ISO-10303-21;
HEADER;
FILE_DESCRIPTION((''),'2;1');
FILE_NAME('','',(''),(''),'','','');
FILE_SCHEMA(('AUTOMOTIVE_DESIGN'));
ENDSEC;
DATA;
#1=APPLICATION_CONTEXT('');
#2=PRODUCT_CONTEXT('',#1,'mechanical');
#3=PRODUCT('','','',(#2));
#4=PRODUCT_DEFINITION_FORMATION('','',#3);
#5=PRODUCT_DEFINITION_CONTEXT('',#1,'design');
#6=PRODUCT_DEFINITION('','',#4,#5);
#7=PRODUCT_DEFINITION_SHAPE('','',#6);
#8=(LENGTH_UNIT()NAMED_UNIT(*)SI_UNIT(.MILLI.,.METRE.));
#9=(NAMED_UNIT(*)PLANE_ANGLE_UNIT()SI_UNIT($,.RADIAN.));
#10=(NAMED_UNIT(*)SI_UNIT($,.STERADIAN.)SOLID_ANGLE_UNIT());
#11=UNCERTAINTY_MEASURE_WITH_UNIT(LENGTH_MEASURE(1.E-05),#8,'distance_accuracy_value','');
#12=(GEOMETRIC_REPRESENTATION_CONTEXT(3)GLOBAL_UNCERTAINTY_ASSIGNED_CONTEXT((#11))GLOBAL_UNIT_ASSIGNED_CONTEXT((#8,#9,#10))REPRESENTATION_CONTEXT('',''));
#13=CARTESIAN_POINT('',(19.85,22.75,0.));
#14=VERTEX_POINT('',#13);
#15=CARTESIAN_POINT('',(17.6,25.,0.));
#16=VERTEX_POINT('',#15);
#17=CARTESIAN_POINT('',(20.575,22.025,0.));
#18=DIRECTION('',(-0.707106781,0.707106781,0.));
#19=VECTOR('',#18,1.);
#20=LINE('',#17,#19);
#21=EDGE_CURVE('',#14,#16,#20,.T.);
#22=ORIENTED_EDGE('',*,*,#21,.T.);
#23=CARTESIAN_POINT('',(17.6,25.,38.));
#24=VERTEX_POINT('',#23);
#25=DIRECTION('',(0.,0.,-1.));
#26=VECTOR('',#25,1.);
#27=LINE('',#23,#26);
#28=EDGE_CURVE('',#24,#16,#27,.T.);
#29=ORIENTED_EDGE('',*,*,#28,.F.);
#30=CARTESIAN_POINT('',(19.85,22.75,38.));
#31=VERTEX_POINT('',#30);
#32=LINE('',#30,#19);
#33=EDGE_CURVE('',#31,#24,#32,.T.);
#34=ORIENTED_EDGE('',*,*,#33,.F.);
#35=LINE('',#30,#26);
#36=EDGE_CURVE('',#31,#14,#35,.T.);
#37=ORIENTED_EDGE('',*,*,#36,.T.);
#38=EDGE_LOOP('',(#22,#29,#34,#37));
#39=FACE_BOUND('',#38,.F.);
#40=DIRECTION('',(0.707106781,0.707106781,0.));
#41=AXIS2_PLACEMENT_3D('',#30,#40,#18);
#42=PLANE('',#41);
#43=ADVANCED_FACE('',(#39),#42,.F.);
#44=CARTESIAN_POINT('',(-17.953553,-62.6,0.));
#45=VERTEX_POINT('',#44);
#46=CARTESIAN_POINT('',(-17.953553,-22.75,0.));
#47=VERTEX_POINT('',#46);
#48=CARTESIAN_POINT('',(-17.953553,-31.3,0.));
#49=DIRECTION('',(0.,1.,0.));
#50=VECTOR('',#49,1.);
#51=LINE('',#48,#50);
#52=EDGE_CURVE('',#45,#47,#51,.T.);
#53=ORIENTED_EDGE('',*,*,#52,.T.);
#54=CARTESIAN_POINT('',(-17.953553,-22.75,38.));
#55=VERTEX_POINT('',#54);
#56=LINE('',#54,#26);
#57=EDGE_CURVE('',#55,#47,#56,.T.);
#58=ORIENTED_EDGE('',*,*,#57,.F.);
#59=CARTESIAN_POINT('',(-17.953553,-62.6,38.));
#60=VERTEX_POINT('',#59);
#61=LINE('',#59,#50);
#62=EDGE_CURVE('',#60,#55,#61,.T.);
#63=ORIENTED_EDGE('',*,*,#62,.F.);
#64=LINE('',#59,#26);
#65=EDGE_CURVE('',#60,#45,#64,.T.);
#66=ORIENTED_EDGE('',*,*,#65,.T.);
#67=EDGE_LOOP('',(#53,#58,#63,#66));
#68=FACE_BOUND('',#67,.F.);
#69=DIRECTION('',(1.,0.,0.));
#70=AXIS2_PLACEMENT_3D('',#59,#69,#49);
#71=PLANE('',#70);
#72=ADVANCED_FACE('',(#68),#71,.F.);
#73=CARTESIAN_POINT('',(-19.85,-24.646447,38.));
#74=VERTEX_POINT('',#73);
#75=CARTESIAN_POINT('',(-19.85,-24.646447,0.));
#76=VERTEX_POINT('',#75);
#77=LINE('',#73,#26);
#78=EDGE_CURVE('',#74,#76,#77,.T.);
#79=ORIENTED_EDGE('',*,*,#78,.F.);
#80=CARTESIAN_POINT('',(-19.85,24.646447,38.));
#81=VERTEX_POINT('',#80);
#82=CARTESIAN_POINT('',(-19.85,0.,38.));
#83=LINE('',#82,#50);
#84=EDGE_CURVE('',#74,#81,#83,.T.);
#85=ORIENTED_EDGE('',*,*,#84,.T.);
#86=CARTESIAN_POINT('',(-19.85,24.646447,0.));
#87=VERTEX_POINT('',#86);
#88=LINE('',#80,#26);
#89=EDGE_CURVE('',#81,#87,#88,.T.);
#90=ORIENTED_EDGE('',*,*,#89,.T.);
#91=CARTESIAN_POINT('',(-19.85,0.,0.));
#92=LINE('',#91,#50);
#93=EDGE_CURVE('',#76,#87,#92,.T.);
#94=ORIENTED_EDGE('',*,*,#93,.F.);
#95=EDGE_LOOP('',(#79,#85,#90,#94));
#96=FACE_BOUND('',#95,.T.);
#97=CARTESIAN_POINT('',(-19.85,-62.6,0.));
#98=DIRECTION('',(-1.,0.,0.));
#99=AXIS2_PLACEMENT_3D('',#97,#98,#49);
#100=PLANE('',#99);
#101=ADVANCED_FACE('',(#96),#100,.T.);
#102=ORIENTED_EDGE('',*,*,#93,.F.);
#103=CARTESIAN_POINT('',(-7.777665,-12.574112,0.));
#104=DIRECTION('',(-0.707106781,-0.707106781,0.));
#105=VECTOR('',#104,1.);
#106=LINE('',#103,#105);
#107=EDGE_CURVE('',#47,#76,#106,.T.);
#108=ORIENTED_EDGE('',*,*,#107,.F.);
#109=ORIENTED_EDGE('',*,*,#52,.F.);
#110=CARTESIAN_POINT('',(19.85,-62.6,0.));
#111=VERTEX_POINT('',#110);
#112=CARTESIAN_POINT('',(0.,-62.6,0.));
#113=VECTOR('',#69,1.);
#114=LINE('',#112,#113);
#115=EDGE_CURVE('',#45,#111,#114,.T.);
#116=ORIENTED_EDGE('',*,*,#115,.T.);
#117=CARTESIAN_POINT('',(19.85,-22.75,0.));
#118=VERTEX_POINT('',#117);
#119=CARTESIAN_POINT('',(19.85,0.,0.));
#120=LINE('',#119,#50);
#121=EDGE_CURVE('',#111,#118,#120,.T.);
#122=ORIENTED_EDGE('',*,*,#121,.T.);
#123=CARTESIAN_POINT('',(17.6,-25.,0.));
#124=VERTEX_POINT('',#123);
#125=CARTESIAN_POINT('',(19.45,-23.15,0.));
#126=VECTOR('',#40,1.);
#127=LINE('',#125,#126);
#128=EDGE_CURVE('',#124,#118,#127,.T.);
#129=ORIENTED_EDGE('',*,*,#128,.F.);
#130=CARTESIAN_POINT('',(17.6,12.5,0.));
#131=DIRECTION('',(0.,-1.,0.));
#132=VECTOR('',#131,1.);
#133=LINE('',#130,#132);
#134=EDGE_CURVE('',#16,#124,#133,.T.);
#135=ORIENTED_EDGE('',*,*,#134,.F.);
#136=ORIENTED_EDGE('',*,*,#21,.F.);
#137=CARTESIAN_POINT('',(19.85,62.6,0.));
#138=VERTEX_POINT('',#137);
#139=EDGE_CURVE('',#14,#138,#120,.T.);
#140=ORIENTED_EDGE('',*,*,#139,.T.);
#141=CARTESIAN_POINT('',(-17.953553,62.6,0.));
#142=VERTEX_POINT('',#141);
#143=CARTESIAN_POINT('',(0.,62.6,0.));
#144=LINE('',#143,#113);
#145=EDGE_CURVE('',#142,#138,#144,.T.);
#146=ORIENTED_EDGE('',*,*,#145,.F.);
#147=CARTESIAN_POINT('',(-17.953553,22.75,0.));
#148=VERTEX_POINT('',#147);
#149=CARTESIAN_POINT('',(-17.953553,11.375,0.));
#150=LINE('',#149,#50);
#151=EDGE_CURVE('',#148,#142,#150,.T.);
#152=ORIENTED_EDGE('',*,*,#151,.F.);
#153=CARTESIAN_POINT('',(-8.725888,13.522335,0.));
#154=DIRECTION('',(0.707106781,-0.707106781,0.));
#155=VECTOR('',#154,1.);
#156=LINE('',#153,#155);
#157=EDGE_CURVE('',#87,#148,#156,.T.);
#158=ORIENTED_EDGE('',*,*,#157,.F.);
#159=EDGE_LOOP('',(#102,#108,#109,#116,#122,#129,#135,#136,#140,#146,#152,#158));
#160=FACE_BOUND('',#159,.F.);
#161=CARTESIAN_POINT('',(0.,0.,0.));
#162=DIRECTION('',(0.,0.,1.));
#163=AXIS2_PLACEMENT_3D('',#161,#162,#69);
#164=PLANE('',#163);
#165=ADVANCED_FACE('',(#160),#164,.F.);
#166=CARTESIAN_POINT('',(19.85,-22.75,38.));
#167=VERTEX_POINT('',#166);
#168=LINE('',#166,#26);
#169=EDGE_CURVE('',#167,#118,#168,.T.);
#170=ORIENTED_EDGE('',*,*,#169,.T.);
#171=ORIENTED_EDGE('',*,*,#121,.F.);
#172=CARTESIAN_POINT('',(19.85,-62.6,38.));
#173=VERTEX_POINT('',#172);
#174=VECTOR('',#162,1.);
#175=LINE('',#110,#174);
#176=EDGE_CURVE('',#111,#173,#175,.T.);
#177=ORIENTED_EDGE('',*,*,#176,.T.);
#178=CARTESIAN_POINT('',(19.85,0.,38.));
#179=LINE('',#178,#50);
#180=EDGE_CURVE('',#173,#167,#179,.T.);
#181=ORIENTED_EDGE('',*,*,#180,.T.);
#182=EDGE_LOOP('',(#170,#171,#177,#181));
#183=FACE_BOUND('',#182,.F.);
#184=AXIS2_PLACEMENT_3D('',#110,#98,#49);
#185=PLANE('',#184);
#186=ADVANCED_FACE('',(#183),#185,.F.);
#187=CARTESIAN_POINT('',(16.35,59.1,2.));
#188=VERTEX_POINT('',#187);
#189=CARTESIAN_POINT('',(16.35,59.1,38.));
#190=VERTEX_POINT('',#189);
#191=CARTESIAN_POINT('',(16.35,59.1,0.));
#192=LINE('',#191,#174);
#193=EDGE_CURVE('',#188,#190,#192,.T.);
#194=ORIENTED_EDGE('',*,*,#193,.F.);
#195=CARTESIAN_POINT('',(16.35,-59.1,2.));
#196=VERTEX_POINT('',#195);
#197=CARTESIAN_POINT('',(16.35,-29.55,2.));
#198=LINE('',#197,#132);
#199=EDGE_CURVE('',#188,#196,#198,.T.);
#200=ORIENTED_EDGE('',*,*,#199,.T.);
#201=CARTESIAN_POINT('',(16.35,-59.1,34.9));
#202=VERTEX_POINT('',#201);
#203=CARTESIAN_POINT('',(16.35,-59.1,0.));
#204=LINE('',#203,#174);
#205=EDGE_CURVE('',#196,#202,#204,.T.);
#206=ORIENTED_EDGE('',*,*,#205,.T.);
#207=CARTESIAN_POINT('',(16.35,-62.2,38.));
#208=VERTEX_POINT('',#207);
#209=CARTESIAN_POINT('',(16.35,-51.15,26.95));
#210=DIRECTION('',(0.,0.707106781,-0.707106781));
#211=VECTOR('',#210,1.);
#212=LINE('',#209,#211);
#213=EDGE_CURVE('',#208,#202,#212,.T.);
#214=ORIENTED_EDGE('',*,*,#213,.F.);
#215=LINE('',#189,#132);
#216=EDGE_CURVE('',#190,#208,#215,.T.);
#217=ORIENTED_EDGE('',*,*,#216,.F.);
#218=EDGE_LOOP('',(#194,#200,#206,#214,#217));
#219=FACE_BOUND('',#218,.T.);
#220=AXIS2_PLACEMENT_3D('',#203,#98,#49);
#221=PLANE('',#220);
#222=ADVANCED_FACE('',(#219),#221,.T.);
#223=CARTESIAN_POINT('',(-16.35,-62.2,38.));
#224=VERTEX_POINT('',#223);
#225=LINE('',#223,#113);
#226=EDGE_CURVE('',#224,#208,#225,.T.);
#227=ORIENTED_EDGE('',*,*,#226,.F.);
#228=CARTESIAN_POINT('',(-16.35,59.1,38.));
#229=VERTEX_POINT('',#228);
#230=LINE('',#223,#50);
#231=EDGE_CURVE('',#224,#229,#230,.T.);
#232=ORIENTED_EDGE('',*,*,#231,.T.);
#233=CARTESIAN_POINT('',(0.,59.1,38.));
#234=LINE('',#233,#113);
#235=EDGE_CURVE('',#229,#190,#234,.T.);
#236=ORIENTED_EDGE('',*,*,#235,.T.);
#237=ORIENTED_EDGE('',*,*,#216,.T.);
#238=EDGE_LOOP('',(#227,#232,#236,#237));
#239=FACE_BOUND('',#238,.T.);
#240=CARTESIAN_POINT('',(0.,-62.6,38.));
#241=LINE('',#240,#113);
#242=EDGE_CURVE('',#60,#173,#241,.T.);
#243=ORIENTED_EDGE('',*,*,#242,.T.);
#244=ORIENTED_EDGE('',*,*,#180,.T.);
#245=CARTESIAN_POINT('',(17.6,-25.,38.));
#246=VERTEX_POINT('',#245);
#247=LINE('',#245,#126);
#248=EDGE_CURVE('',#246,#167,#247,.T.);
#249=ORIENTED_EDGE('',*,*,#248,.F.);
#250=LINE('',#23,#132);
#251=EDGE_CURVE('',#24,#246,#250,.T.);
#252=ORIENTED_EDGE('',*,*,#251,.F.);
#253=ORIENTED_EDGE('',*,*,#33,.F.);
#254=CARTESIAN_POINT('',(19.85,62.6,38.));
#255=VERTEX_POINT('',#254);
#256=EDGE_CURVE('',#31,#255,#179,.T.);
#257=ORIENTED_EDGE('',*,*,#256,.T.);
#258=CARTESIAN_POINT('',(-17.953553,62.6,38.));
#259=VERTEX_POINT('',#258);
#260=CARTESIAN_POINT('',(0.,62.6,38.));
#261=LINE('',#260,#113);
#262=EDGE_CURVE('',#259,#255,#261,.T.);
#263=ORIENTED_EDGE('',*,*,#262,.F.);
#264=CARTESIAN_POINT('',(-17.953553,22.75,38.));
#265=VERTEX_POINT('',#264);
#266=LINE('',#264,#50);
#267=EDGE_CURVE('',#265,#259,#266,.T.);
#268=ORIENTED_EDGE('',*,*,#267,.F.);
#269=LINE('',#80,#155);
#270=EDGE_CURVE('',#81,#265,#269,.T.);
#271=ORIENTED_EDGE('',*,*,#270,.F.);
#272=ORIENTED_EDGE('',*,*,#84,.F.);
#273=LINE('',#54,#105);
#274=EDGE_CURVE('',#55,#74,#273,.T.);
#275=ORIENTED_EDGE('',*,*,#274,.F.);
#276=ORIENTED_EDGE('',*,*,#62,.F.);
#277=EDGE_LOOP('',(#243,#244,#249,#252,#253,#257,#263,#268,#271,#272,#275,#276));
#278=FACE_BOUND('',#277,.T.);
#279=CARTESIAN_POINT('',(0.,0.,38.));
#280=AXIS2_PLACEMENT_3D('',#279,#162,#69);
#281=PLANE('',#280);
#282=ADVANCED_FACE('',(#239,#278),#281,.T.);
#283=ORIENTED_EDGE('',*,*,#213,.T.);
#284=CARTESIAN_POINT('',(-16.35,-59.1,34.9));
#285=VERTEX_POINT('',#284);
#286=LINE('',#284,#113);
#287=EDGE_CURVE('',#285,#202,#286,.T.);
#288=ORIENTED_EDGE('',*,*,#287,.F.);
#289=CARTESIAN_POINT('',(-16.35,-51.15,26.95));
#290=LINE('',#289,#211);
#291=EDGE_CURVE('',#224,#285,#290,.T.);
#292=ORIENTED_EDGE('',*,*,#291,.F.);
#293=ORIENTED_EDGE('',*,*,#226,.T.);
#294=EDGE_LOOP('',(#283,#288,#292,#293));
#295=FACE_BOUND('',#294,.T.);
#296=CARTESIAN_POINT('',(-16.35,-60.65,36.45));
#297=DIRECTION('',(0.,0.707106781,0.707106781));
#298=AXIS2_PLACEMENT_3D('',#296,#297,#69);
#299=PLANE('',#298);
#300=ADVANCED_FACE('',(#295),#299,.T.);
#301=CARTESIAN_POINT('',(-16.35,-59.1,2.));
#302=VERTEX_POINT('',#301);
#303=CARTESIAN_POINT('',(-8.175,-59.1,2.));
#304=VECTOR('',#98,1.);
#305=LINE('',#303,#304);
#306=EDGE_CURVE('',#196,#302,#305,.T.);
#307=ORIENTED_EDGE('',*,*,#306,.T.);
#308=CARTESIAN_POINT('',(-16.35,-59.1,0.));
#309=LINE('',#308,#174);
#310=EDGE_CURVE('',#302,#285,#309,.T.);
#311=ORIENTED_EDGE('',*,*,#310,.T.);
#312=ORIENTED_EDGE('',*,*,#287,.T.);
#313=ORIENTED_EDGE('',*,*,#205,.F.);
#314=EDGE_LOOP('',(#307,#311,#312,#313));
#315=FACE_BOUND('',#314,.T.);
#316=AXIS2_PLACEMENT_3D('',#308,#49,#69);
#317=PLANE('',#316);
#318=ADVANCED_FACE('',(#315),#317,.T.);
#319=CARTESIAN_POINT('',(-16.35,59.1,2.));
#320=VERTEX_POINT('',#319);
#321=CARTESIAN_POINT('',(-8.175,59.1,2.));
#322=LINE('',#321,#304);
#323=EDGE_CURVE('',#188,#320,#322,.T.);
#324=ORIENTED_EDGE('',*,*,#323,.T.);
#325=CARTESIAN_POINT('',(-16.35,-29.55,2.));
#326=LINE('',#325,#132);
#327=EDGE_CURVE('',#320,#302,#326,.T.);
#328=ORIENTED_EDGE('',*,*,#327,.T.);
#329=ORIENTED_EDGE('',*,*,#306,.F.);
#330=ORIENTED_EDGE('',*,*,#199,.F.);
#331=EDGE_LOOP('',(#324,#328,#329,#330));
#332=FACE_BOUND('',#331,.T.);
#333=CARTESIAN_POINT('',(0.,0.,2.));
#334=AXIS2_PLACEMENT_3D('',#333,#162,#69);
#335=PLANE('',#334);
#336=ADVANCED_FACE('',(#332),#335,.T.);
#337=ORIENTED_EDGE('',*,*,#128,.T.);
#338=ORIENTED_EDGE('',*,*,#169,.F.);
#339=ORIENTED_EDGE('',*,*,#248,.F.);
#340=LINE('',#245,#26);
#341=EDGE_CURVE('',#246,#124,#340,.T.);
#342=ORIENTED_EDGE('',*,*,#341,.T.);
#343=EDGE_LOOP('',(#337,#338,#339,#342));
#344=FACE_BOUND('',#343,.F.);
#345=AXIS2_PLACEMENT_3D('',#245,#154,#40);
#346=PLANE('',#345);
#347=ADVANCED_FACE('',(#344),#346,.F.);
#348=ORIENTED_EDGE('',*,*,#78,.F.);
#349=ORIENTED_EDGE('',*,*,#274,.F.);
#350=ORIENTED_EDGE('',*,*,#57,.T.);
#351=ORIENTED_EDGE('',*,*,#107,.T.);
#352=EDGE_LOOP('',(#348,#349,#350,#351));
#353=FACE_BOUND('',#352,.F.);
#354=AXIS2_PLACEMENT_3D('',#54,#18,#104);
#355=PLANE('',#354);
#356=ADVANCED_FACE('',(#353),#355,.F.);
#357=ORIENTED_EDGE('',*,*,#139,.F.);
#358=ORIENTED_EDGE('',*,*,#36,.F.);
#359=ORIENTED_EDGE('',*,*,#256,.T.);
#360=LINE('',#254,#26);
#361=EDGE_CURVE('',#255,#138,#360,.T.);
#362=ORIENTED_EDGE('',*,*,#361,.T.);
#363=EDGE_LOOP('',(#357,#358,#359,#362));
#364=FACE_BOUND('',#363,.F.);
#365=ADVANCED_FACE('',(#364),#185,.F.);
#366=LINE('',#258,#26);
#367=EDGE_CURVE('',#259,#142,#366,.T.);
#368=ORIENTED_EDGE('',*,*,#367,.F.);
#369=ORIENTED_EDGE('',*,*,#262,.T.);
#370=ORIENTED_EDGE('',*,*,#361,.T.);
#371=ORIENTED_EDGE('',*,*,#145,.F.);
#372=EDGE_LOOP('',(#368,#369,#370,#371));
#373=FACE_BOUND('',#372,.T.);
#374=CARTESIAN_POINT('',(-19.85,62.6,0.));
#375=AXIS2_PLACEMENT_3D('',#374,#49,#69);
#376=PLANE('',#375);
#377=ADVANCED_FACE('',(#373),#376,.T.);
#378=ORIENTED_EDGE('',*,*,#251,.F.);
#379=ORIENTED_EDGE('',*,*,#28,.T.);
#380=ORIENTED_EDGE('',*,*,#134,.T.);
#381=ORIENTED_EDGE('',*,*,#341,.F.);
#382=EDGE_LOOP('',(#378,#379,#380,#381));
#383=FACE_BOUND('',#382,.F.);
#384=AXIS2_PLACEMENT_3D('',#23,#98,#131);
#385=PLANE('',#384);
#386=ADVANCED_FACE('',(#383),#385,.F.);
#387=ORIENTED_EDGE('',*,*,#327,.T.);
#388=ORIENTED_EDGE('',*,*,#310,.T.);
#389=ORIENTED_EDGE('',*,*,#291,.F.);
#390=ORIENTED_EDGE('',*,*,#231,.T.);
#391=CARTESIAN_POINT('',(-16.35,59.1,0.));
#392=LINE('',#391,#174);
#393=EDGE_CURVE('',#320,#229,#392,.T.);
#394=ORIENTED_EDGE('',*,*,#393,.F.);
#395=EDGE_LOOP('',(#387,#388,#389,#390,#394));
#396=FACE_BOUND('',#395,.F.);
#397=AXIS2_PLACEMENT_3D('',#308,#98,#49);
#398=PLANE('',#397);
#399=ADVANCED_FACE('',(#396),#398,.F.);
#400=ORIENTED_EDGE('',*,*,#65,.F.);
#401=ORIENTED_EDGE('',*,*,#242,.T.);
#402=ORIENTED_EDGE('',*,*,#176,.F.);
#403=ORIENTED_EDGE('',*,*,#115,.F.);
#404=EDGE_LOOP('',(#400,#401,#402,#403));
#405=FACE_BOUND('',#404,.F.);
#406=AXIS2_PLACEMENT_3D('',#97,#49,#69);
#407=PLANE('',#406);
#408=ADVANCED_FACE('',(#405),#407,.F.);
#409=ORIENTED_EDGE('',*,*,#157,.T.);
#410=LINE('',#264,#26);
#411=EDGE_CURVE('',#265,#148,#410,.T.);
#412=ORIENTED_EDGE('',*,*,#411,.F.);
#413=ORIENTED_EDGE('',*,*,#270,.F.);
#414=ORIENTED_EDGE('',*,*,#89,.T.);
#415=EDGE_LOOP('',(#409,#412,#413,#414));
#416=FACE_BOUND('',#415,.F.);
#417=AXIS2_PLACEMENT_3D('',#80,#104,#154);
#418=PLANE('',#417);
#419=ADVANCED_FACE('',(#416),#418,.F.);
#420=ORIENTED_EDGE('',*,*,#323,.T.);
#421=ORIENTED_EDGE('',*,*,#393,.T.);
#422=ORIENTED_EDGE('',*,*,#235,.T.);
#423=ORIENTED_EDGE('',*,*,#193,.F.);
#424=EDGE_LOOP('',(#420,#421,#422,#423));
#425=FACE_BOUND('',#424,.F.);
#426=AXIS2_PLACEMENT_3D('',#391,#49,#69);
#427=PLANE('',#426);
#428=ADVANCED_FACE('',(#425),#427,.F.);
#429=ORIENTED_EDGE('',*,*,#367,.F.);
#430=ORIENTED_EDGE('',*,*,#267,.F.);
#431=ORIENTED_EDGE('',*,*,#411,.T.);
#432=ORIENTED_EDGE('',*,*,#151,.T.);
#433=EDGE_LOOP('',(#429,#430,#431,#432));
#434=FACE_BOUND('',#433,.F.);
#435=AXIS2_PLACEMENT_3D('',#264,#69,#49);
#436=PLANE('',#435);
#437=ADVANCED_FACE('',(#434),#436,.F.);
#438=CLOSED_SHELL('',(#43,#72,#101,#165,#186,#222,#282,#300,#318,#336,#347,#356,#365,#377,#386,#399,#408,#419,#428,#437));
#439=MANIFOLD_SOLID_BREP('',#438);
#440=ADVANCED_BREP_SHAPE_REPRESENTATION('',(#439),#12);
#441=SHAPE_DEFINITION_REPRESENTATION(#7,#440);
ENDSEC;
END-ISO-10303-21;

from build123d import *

# Parameters (mm, degrees)
F0_W     = 39.7
F0_H     = 125.2
F0_W_2   = 32.7
F0_H_2   = 118.2
F1_DEPTH = 2
F2_DEPTH = 38
F4_DEPTH = 38.001
F5_SIZE  = 3.1


with BuildPart() as f1:
    # F0 (on Top) → F1 (new body)
    with BuildSketch(Plane.XY):
        Rectangle(F0_W, F0_H)
        Rectangle(F0_W_2, F0_H_2, mode=Mode.SUBTRACT)
        Rectangle(F0_W_2, F0_H_2)
    extrude(amount=F1_DEPTH)

    # F0 (on Top) → F2 (join)
    with BuildSketch(Plane.XY):
        Rectangle(F0_W, F0_H)
        Rectangle(F0_W_2, F0_H_2, mode=Mode.SUBTRACT)
    extrude(amount=F2_DEPTH)

    # F3 (on face) → F4 (cut, through all)
    with BuildSketch(Plane.XY.offset(38)):
        Polygon((-17.953553, 22.75), (-17.953553, 62.6), (-19.85, 62.6), (-19.85, 24.646447), align=None)
        Polygon((-19.85, -62.6), (-17.953553, -62.6), (-17.953553, -22.75), (-19.85, -24.646447), align=None)
        Polygon((19.85, -22.75), (19.85, 22.75), (17.6, 25), (17.6, -25), align=None)
    extrude(amount=-F4_DEPTH, mode=Mode.SUBTRACT)

    # F5
    f5_edges = [f1.edges().sort_by_distance(p)[0] for p in [
        (0, -59.1, 38),
    ]]
    chamfer(f5_edges, length=F5_SIZE)


solid = f1.part
